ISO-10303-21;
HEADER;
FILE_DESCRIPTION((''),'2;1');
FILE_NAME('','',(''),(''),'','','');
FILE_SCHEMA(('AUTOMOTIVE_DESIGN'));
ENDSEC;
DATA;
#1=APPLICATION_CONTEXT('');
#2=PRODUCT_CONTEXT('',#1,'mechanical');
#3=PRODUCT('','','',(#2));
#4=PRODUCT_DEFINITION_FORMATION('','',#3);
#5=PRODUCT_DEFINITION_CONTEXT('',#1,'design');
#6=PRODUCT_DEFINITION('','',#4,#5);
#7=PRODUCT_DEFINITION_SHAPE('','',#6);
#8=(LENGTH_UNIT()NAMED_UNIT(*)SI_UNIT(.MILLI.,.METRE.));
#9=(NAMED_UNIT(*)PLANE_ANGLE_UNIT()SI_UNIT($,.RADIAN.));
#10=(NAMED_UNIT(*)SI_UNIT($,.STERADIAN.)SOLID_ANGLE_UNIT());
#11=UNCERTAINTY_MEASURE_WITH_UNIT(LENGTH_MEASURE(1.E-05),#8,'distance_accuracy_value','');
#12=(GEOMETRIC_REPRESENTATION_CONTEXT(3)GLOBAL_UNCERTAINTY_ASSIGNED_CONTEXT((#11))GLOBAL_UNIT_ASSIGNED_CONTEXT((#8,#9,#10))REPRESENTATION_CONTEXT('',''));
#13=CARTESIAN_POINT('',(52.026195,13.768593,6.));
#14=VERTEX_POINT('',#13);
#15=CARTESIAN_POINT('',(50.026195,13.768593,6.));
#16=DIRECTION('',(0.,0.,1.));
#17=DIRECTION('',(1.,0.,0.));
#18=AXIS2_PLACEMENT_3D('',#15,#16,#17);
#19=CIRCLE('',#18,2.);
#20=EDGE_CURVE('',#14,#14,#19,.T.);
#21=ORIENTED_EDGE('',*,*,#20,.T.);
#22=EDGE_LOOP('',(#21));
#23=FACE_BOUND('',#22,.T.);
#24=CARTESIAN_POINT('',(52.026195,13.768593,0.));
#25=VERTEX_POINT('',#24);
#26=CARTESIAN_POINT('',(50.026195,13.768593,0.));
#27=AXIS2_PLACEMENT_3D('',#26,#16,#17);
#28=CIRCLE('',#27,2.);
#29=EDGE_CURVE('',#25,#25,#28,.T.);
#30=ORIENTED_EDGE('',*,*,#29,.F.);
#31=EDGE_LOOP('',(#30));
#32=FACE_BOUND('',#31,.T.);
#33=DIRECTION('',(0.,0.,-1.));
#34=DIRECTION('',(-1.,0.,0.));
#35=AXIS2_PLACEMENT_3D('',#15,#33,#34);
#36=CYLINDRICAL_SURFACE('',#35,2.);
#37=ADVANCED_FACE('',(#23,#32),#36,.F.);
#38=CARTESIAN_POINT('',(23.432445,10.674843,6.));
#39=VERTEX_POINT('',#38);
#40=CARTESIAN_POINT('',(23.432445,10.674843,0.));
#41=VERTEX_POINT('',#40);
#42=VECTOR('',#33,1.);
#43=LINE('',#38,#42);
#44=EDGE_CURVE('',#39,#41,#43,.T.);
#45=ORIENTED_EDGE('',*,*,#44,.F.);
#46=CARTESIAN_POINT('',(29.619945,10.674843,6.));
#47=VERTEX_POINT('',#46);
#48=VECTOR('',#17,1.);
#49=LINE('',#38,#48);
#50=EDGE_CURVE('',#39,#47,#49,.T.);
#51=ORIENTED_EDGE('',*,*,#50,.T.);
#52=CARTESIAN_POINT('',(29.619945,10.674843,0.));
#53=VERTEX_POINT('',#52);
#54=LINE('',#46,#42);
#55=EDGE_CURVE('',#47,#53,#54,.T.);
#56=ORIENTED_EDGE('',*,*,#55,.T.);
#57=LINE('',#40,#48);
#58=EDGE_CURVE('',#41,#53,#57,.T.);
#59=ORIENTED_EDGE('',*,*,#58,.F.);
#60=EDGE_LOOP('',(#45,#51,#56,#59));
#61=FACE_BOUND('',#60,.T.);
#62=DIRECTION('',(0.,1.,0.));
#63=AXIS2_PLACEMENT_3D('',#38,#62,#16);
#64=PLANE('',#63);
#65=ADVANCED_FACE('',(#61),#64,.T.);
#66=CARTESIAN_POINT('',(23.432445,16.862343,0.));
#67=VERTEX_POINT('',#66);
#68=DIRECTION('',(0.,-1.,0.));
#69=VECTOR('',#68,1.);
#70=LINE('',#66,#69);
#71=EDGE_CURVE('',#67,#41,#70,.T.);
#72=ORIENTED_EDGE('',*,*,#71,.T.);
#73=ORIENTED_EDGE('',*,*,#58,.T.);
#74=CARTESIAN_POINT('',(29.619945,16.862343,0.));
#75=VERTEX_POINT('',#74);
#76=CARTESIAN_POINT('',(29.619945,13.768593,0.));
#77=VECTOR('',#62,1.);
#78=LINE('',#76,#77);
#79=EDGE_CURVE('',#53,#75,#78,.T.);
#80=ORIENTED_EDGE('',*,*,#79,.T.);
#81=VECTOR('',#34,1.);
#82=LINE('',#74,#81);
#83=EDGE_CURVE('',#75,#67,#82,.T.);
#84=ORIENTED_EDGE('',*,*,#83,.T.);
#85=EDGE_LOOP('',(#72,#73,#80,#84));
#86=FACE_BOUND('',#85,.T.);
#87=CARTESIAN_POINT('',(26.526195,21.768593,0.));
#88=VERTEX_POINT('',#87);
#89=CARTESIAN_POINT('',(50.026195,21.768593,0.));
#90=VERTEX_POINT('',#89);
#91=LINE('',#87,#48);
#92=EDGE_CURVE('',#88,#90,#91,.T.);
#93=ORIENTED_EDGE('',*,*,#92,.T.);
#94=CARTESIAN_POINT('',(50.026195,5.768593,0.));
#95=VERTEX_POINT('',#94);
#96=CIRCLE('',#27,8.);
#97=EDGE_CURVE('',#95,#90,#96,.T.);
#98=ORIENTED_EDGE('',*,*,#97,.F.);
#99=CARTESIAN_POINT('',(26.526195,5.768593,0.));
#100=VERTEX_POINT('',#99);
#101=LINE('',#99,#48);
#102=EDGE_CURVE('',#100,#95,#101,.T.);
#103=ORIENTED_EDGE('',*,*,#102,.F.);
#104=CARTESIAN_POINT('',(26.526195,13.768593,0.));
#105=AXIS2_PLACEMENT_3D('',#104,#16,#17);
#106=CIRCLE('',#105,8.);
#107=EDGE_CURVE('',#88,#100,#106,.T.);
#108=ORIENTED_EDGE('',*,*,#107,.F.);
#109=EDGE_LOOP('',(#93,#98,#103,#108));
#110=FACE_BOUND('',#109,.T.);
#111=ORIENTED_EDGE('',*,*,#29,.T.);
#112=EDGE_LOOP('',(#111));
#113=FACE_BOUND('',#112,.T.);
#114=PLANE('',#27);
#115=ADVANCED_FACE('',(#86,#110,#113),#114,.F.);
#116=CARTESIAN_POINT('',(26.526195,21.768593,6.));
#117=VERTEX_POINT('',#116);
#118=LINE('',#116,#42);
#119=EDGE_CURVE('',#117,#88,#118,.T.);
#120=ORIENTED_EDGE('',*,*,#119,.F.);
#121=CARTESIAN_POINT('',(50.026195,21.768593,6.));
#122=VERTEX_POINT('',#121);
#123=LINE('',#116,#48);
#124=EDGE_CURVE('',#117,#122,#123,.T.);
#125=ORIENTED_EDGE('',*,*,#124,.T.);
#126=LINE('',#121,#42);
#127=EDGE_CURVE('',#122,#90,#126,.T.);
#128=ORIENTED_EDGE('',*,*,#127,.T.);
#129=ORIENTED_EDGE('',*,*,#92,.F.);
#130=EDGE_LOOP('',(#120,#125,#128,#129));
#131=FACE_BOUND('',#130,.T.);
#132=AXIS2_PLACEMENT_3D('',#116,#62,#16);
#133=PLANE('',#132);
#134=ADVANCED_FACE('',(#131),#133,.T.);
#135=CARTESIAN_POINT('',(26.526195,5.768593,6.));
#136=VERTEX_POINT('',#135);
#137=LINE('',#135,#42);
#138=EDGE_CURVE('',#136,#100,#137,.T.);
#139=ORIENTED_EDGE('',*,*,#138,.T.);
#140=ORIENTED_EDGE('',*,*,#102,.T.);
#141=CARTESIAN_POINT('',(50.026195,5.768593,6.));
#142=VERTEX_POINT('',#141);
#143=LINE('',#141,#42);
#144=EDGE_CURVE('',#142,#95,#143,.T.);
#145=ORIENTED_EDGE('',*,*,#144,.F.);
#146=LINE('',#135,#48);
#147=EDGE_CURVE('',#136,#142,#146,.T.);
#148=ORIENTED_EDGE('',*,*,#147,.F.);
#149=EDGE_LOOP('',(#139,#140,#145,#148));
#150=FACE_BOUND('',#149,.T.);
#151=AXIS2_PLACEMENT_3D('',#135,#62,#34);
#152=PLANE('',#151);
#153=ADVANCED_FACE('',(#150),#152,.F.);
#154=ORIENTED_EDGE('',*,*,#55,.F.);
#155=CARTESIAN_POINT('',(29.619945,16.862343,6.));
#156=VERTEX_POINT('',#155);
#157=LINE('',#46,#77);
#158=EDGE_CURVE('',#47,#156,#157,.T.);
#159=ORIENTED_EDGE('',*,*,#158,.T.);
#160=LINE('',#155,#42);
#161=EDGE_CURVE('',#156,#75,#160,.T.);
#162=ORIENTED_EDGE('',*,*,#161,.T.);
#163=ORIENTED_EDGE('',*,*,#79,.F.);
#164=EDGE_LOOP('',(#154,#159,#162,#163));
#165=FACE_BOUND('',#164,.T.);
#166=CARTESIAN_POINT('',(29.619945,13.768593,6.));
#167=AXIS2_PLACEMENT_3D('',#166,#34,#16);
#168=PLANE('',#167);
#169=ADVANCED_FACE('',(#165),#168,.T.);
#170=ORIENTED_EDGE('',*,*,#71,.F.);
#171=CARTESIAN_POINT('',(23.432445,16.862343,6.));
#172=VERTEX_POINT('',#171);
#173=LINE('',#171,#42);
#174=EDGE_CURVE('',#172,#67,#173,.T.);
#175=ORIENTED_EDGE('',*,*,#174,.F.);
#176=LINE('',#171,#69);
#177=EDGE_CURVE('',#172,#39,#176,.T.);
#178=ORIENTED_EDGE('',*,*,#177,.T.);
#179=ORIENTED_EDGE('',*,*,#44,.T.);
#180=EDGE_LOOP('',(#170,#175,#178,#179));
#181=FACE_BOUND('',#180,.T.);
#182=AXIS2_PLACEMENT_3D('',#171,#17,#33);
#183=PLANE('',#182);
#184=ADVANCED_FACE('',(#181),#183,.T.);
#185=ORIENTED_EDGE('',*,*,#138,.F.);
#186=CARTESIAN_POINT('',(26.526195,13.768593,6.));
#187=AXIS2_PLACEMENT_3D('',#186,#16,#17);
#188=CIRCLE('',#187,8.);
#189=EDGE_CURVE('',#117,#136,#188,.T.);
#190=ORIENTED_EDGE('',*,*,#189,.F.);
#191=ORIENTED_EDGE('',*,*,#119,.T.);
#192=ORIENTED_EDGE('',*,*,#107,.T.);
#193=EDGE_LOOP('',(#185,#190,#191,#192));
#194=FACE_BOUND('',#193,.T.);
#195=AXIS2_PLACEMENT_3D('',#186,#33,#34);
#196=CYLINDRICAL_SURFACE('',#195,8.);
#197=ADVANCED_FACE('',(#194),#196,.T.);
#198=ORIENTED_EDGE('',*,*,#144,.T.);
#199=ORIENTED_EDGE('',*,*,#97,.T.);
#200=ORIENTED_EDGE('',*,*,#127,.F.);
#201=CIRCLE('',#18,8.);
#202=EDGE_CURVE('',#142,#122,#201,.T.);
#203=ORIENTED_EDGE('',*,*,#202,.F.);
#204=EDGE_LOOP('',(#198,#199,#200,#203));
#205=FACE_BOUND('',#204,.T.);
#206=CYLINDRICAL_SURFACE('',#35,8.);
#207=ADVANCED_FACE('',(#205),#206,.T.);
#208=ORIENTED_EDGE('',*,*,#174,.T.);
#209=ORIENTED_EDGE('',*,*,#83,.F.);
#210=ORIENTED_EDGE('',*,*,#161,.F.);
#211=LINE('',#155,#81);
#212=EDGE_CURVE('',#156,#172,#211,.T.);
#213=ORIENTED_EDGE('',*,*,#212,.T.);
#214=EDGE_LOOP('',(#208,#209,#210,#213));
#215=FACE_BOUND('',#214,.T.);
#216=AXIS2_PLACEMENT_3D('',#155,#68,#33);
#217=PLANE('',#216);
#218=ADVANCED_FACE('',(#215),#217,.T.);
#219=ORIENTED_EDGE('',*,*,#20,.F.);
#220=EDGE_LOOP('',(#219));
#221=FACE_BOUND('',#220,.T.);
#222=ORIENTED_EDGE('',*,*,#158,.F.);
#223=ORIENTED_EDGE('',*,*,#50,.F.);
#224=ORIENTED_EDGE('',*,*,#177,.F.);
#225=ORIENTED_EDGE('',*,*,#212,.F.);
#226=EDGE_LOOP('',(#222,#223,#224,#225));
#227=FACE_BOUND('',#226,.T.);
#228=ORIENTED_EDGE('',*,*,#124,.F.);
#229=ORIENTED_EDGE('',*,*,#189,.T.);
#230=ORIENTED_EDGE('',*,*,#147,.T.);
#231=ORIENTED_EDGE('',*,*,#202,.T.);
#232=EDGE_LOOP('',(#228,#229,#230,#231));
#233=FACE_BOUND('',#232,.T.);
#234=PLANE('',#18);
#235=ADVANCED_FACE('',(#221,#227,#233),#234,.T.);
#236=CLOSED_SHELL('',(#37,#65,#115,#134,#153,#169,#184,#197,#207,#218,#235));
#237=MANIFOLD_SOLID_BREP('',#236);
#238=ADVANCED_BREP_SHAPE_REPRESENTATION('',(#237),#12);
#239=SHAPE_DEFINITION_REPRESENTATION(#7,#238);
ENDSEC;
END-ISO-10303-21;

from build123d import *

# Parameters (mm, degrees)
MODEL_R             = 2
BOSS_EXTRUDE1_DEPTH = 6


with BuildPart() as part:
    # Model → Boss-Extrude1 (new body)
    with BuildSketch(Plane.XY):
        with BuildLine():
            Line((26.526195336, 21.768592837), (50.026195336, 21.768592837))
            ThreePointArc((50.026195336, 21.768592837), (58.026195336, 13.768592837), (50.026195336, 5.768592837))
            Line((50.026195336, 5.768592837), (26.526195336, 5.768592837))
            ThreePointArc((26.526195336, 5.768592837), (18.526195336, 13.768592837), (26.526195336, 21.768592837))
        make_face()
        with Locations((50.026195336, 13.768592837)):
            Circle(MODEL_R, mode=Mode.SUBTRACT)
        Polygon((29.619945336, 13.768592837), (29.619945336, 16.862342837), (23.432445336, 16.862342837), (23.432445336, 10.674842837), (29.619945336, 10.674842837), align=None, mode=Mode.SUBTRACT)
    extrude(amount=BOSS_EXTRUDE1_DEPTH)


solid = part.part
